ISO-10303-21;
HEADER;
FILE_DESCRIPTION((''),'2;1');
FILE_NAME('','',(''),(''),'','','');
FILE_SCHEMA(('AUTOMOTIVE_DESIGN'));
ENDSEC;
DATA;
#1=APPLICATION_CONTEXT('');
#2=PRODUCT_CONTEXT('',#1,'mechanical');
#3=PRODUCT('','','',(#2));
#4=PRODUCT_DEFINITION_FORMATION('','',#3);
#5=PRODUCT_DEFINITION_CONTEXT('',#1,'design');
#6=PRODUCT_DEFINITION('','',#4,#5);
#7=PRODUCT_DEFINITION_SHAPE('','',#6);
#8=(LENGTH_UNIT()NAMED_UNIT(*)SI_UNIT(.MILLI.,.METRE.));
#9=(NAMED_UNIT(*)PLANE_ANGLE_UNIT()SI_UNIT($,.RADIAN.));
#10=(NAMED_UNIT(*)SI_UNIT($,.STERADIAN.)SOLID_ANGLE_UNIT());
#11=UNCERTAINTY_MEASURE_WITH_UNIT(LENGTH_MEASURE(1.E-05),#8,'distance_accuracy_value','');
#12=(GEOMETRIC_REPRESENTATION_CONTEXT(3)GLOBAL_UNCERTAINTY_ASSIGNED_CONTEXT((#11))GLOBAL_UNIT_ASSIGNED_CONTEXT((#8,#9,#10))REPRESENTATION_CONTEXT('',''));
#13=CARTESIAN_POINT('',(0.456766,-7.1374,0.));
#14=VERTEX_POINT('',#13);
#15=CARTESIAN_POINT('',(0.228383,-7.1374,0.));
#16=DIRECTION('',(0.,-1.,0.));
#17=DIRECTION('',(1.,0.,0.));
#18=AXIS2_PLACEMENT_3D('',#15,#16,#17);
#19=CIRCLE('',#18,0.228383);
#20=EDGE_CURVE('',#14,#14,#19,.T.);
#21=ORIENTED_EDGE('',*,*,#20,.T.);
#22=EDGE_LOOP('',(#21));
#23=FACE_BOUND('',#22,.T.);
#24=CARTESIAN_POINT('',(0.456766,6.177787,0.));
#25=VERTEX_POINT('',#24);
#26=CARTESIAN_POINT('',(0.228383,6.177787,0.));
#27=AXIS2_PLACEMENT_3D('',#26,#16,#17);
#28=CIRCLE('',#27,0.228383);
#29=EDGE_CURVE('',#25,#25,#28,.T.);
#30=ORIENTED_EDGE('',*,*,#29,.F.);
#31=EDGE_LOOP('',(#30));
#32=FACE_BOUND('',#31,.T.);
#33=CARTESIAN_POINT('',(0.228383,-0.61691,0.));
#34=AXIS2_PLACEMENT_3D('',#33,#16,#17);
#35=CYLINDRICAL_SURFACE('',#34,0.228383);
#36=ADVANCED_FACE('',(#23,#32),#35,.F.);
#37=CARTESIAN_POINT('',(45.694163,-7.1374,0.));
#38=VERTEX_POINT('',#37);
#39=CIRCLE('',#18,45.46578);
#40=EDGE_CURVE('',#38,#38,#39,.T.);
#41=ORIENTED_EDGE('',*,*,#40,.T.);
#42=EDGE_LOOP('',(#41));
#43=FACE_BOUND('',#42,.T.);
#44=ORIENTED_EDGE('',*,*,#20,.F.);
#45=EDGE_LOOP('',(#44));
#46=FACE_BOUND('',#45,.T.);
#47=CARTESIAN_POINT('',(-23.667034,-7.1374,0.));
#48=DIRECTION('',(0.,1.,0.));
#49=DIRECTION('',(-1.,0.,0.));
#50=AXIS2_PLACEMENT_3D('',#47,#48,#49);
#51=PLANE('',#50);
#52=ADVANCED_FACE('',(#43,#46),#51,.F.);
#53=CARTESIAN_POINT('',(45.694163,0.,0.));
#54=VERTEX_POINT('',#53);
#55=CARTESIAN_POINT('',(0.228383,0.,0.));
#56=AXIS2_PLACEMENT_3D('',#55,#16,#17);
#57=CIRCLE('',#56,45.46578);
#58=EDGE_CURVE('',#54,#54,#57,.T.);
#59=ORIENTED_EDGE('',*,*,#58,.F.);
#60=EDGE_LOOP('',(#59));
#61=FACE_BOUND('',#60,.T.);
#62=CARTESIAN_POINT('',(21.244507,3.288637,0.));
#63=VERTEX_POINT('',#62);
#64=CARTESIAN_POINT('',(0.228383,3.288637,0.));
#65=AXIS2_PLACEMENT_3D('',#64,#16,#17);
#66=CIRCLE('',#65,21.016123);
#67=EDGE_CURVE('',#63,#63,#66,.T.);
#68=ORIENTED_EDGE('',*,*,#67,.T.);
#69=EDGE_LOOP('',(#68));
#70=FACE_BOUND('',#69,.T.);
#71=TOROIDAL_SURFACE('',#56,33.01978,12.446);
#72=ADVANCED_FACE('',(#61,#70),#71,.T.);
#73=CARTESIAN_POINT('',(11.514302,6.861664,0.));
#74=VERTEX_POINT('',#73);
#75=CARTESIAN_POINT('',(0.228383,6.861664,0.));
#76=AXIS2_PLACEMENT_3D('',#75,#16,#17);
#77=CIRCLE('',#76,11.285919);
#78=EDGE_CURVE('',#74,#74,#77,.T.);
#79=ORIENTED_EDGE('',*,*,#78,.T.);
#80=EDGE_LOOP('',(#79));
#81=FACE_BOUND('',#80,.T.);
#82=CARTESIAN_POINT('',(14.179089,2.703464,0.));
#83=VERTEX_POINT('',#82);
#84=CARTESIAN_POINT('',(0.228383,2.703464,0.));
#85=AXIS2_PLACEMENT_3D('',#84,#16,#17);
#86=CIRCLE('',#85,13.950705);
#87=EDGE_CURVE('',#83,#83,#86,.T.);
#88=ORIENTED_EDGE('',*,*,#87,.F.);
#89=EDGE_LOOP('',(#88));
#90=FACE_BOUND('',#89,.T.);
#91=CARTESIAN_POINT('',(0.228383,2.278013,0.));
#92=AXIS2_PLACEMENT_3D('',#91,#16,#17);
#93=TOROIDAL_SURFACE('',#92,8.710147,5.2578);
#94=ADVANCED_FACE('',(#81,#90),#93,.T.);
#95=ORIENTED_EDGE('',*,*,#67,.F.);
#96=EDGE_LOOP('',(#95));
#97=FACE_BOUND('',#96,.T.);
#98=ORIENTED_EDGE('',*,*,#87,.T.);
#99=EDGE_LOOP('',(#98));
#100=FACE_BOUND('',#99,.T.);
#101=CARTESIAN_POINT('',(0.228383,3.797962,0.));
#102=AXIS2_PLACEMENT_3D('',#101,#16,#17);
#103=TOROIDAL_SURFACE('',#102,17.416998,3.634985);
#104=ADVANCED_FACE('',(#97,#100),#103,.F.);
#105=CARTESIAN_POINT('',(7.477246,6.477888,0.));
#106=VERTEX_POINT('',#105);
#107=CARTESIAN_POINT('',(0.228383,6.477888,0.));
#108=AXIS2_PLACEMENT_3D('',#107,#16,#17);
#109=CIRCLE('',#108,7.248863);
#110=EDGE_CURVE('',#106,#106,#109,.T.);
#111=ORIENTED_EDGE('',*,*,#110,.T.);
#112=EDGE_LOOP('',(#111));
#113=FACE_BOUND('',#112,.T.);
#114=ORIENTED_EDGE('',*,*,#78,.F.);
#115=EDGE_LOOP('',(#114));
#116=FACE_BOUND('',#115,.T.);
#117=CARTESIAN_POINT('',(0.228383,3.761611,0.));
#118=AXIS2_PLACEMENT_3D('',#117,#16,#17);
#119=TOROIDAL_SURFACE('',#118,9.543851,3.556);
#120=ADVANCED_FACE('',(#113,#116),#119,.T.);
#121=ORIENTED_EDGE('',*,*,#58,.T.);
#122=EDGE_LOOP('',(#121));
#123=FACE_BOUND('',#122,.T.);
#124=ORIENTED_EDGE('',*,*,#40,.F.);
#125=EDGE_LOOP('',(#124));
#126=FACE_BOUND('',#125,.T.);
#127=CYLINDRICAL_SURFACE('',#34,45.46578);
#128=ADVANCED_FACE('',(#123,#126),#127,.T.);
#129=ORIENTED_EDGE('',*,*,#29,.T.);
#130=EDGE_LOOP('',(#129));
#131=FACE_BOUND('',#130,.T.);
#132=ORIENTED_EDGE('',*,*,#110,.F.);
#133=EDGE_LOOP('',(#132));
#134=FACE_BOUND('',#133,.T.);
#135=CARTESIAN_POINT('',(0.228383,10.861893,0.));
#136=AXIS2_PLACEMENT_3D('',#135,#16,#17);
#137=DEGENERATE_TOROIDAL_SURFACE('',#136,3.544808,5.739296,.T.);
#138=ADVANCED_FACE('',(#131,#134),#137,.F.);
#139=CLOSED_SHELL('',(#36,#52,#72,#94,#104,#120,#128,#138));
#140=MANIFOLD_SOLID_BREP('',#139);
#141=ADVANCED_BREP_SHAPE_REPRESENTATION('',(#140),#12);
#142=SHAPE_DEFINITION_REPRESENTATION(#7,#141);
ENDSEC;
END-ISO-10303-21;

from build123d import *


with BuildPart() as part:
    # Sketch2 → Revolve15 (revolve)
    with BuildSketch(Plane.XY):
        with BuildLine():
            ThreePointArc((-11.057536139, 6.861664444), (-8.978939648, 7.301650711), (-7.020479446, 6.477888049))
            ThreePointArc((-7.020479446, 6.477888049), (-3.561535652, 5.127833284), (0, 6.177787489))
            Line((0, 6.177787489), (0, -7.137400499))
            Line((0, -7.137400499), (-45.237397251, -7.137400499))
            Line((-45.237397251, -7.137400499), (-45.237397251, -4.99e-07))
            ThreePointArc((-45.237397251, -4.99e-07), (-34.450523736, 12.334918038), (-20.787740284, 3.288636819))
            ThreePointArc((-20.787740284, 3.288636819), (-17.488645172, 0.175380579), (-13.722322326, 2.703463882))
            ThreePointArc((-13.722322326, 2.703463882), (-12.908547636, 5.114921185), (-11.057536139, 6.861664444))
        make_face()
    revolve(axis=Axis((0.228383109, -0.616910329, 0), (0, 1, 0)))


solid = part.part
